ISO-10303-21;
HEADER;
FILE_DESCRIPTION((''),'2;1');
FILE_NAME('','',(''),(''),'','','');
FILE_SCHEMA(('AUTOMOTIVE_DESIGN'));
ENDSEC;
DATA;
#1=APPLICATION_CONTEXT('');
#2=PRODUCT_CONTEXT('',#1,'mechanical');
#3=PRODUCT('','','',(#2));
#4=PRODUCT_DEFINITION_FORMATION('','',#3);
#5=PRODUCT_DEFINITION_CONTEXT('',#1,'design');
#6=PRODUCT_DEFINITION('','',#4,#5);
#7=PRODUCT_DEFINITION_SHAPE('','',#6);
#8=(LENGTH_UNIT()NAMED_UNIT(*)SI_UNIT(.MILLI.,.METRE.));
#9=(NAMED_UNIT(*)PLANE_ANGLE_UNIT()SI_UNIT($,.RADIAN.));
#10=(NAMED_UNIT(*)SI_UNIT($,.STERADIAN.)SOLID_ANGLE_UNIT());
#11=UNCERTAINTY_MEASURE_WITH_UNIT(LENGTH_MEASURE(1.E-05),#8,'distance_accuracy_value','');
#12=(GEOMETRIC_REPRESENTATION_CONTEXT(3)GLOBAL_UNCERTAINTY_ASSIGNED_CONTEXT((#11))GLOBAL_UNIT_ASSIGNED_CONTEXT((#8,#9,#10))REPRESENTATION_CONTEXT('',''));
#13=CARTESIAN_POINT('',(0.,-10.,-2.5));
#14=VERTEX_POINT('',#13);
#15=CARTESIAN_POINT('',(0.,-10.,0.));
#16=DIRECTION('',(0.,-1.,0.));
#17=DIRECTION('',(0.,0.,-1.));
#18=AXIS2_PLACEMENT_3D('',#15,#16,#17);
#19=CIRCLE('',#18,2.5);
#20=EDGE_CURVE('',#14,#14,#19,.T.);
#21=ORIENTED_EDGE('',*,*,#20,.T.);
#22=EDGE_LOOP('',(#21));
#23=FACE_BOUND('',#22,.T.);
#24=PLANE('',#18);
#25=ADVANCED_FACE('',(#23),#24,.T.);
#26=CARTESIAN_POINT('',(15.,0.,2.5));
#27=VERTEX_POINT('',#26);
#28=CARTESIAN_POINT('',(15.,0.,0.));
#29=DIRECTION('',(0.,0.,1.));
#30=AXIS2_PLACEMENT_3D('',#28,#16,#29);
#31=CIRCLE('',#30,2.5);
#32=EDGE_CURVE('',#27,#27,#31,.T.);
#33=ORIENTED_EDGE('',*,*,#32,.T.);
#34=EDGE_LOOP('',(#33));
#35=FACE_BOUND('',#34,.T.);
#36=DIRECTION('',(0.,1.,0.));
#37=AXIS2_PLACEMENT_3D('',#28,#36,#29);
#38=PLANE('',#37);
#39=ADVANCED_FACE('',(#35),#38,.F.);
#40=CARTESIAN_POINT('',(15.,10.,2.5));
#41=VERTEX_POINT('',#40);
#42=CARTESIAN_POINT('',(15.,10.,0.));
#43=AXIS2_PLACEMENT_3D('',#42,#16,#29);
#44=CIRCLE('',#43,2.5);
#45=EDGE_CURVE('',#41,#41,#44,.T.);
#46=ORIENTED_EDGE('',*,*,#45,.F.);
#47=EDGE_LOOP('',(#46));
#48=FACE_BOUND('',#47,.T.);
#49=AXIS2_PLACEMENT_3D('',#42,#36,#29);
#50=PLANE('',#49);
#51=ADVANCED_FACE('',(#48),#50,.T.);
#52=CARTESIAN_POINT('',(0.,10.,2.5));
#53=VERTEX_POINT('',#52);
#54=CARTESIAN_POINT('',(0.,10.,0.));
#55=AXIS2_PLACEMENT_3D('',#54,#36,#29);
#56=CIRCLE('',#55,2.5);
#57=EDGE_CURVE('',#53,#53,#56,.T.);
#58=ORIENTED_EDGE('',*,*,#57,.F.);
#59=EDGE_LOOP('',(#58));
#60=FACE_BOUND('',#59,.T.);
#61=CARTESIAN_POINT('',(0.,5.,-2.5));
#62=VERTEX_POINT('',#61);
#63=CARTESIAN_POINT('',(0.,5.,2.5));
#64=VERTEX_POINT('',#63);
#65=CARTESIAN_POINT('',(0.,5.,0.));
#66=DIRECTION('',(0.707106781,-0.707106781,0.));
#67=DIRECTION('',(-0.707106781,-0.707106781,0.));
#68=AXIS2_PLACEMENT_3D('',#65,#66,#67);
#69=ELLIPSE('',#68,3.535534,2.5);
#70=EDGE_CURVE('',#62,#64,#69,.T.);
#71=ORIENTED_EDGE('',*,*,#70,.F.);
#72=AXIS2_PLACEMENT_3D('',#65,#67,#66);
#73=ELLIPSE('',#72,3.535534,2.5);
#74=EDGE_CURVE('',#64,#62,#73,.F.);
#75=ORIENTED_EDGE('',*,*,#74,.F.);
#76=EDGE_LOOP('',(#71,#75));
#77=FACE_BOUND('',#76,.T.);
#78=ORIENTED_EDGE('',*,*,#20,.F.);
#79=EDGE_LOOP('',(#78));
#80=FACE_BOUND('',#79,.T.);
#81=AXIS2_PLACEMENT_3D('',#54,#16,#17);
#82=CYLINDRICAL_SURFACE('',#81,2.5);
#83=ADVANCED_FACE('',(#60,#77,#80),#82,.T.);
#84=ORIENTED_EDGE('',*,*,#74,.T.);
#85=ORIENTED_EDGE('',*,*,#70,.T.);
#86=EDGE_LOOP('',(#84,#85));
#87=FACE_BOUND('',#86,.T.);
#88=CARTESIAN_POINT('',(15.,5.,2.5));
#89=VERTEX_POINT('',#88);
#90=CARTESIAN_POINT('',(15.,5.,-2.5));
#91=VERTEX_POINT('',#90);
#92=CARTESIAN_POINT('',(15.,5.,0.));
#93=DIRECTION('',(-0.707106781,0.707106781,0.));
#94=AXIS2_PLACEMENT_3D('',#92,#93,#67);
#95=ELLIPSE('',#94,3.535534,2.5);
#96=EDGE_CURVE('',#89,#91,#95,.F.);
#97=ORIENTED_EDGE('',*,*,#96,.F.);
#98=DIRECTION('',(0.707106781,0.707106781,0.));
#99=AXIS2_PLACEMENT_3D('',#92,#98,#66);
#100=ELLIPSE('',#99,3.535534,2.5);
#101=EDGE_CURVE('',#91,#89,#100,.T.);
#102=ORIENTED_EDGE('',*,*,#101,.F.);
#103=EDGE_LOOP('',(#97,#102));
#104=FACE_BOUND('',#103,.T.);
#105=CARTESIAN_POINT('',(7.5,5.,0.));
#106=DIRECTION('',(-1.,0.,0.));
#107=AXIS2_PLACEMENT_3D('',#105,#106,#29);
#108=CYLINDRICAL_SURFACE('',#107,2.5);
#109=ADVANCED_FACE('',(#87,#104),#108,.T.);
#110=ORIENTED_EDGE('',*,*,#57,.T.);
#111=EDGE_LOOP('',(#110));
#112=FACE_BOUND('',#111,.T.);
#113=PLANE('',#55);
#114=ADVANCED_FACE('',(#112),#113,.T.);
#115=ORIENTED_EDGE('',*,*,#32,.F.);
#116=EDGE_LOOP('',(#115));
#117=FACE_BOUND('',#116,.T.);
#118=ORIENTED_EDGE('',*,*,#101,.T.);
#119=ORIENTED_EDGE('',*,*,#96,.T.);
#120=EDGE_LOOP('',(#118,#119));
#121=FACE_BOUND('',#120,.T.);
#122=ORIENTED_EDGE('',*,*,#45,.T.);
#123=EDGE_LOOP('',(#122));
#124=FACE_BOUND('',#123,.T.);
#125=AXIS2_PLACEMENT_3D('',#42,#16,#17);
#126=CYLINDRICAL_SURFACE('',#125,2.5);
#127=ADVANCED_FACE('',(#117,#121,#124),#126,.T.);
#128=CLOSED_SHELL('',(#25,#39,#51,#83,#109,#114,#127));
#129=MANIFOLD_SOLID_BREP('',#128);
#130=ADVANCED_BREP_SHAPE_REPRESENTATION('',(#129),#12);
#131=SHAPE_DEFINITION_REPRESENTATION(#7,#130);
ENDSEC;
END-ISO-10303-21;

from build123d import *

# Parameters (mm, degrees)
SKETCH2_R           = 2.5
BOSS_EXTRUDE2_DEPTH = 10
SKETCH3_R           = 2.5
BOSS_EXTRUDE3_DEPTH = 7.5
BOSS_EXTRUDE4_START = 10
SKETCH4_R           = 2.5
BOSS_EXTRUDE4_DEPTH = 10


with BuildPart() as part:
    # Sketch2 → Boss-Extrude2 (new body)
    with BuildSketch(Plane(origin=(0, 0, 0), x_dir=(1, 0, 0), z_dir=(0, 1, 0))):
        with Locations(Location((0, 0, 0), (0, 0, 270))):
            Circle(SKETCH2_R)
    boss_extrude2 = extrude(amount=BOSS_EXTRUDE2_DEPTH)

    # Sketch3 → Boss-Extrude3 (add)
    with BuildSketch(Plane(origin=(0, 0, 0), x_dir=(0, 0, -1), z_dir=(1, 0, 0))):
        with Locations((0, 5)):
            Circle(SKETCH3_R)
    boss_extrude3 = extrude(amount=BOSS_EXTRUDE3_DEPTH)

    # Mirror5: Boss-Extrude2, Boss-Extrude3 across plane
    add(boss_extrude2.mirror(Plane(origin=(7.5, 5, 0), x_dir=(0, 0, 1), z_dir=(1, 0, 0))))
    add(boss_extrude3.mirror(Plane(origin=(7.5, 5, 0), x_dir=(0, 0, 1), z_dir=(1, 0, 0))))

    # Sketch4 → Boss-Extrude4 (add)
    with BuildSketch(Plane.XZ.offset(BOSS_EXTRUDE4_START)):
        with Locations(Location((0, 0, 0), (0, 0, 270))):
            Circle(SKETCH4_R)
    extrude(amount=-BOSS_EXTRUDE4_DEPTH)


solid = part.part
